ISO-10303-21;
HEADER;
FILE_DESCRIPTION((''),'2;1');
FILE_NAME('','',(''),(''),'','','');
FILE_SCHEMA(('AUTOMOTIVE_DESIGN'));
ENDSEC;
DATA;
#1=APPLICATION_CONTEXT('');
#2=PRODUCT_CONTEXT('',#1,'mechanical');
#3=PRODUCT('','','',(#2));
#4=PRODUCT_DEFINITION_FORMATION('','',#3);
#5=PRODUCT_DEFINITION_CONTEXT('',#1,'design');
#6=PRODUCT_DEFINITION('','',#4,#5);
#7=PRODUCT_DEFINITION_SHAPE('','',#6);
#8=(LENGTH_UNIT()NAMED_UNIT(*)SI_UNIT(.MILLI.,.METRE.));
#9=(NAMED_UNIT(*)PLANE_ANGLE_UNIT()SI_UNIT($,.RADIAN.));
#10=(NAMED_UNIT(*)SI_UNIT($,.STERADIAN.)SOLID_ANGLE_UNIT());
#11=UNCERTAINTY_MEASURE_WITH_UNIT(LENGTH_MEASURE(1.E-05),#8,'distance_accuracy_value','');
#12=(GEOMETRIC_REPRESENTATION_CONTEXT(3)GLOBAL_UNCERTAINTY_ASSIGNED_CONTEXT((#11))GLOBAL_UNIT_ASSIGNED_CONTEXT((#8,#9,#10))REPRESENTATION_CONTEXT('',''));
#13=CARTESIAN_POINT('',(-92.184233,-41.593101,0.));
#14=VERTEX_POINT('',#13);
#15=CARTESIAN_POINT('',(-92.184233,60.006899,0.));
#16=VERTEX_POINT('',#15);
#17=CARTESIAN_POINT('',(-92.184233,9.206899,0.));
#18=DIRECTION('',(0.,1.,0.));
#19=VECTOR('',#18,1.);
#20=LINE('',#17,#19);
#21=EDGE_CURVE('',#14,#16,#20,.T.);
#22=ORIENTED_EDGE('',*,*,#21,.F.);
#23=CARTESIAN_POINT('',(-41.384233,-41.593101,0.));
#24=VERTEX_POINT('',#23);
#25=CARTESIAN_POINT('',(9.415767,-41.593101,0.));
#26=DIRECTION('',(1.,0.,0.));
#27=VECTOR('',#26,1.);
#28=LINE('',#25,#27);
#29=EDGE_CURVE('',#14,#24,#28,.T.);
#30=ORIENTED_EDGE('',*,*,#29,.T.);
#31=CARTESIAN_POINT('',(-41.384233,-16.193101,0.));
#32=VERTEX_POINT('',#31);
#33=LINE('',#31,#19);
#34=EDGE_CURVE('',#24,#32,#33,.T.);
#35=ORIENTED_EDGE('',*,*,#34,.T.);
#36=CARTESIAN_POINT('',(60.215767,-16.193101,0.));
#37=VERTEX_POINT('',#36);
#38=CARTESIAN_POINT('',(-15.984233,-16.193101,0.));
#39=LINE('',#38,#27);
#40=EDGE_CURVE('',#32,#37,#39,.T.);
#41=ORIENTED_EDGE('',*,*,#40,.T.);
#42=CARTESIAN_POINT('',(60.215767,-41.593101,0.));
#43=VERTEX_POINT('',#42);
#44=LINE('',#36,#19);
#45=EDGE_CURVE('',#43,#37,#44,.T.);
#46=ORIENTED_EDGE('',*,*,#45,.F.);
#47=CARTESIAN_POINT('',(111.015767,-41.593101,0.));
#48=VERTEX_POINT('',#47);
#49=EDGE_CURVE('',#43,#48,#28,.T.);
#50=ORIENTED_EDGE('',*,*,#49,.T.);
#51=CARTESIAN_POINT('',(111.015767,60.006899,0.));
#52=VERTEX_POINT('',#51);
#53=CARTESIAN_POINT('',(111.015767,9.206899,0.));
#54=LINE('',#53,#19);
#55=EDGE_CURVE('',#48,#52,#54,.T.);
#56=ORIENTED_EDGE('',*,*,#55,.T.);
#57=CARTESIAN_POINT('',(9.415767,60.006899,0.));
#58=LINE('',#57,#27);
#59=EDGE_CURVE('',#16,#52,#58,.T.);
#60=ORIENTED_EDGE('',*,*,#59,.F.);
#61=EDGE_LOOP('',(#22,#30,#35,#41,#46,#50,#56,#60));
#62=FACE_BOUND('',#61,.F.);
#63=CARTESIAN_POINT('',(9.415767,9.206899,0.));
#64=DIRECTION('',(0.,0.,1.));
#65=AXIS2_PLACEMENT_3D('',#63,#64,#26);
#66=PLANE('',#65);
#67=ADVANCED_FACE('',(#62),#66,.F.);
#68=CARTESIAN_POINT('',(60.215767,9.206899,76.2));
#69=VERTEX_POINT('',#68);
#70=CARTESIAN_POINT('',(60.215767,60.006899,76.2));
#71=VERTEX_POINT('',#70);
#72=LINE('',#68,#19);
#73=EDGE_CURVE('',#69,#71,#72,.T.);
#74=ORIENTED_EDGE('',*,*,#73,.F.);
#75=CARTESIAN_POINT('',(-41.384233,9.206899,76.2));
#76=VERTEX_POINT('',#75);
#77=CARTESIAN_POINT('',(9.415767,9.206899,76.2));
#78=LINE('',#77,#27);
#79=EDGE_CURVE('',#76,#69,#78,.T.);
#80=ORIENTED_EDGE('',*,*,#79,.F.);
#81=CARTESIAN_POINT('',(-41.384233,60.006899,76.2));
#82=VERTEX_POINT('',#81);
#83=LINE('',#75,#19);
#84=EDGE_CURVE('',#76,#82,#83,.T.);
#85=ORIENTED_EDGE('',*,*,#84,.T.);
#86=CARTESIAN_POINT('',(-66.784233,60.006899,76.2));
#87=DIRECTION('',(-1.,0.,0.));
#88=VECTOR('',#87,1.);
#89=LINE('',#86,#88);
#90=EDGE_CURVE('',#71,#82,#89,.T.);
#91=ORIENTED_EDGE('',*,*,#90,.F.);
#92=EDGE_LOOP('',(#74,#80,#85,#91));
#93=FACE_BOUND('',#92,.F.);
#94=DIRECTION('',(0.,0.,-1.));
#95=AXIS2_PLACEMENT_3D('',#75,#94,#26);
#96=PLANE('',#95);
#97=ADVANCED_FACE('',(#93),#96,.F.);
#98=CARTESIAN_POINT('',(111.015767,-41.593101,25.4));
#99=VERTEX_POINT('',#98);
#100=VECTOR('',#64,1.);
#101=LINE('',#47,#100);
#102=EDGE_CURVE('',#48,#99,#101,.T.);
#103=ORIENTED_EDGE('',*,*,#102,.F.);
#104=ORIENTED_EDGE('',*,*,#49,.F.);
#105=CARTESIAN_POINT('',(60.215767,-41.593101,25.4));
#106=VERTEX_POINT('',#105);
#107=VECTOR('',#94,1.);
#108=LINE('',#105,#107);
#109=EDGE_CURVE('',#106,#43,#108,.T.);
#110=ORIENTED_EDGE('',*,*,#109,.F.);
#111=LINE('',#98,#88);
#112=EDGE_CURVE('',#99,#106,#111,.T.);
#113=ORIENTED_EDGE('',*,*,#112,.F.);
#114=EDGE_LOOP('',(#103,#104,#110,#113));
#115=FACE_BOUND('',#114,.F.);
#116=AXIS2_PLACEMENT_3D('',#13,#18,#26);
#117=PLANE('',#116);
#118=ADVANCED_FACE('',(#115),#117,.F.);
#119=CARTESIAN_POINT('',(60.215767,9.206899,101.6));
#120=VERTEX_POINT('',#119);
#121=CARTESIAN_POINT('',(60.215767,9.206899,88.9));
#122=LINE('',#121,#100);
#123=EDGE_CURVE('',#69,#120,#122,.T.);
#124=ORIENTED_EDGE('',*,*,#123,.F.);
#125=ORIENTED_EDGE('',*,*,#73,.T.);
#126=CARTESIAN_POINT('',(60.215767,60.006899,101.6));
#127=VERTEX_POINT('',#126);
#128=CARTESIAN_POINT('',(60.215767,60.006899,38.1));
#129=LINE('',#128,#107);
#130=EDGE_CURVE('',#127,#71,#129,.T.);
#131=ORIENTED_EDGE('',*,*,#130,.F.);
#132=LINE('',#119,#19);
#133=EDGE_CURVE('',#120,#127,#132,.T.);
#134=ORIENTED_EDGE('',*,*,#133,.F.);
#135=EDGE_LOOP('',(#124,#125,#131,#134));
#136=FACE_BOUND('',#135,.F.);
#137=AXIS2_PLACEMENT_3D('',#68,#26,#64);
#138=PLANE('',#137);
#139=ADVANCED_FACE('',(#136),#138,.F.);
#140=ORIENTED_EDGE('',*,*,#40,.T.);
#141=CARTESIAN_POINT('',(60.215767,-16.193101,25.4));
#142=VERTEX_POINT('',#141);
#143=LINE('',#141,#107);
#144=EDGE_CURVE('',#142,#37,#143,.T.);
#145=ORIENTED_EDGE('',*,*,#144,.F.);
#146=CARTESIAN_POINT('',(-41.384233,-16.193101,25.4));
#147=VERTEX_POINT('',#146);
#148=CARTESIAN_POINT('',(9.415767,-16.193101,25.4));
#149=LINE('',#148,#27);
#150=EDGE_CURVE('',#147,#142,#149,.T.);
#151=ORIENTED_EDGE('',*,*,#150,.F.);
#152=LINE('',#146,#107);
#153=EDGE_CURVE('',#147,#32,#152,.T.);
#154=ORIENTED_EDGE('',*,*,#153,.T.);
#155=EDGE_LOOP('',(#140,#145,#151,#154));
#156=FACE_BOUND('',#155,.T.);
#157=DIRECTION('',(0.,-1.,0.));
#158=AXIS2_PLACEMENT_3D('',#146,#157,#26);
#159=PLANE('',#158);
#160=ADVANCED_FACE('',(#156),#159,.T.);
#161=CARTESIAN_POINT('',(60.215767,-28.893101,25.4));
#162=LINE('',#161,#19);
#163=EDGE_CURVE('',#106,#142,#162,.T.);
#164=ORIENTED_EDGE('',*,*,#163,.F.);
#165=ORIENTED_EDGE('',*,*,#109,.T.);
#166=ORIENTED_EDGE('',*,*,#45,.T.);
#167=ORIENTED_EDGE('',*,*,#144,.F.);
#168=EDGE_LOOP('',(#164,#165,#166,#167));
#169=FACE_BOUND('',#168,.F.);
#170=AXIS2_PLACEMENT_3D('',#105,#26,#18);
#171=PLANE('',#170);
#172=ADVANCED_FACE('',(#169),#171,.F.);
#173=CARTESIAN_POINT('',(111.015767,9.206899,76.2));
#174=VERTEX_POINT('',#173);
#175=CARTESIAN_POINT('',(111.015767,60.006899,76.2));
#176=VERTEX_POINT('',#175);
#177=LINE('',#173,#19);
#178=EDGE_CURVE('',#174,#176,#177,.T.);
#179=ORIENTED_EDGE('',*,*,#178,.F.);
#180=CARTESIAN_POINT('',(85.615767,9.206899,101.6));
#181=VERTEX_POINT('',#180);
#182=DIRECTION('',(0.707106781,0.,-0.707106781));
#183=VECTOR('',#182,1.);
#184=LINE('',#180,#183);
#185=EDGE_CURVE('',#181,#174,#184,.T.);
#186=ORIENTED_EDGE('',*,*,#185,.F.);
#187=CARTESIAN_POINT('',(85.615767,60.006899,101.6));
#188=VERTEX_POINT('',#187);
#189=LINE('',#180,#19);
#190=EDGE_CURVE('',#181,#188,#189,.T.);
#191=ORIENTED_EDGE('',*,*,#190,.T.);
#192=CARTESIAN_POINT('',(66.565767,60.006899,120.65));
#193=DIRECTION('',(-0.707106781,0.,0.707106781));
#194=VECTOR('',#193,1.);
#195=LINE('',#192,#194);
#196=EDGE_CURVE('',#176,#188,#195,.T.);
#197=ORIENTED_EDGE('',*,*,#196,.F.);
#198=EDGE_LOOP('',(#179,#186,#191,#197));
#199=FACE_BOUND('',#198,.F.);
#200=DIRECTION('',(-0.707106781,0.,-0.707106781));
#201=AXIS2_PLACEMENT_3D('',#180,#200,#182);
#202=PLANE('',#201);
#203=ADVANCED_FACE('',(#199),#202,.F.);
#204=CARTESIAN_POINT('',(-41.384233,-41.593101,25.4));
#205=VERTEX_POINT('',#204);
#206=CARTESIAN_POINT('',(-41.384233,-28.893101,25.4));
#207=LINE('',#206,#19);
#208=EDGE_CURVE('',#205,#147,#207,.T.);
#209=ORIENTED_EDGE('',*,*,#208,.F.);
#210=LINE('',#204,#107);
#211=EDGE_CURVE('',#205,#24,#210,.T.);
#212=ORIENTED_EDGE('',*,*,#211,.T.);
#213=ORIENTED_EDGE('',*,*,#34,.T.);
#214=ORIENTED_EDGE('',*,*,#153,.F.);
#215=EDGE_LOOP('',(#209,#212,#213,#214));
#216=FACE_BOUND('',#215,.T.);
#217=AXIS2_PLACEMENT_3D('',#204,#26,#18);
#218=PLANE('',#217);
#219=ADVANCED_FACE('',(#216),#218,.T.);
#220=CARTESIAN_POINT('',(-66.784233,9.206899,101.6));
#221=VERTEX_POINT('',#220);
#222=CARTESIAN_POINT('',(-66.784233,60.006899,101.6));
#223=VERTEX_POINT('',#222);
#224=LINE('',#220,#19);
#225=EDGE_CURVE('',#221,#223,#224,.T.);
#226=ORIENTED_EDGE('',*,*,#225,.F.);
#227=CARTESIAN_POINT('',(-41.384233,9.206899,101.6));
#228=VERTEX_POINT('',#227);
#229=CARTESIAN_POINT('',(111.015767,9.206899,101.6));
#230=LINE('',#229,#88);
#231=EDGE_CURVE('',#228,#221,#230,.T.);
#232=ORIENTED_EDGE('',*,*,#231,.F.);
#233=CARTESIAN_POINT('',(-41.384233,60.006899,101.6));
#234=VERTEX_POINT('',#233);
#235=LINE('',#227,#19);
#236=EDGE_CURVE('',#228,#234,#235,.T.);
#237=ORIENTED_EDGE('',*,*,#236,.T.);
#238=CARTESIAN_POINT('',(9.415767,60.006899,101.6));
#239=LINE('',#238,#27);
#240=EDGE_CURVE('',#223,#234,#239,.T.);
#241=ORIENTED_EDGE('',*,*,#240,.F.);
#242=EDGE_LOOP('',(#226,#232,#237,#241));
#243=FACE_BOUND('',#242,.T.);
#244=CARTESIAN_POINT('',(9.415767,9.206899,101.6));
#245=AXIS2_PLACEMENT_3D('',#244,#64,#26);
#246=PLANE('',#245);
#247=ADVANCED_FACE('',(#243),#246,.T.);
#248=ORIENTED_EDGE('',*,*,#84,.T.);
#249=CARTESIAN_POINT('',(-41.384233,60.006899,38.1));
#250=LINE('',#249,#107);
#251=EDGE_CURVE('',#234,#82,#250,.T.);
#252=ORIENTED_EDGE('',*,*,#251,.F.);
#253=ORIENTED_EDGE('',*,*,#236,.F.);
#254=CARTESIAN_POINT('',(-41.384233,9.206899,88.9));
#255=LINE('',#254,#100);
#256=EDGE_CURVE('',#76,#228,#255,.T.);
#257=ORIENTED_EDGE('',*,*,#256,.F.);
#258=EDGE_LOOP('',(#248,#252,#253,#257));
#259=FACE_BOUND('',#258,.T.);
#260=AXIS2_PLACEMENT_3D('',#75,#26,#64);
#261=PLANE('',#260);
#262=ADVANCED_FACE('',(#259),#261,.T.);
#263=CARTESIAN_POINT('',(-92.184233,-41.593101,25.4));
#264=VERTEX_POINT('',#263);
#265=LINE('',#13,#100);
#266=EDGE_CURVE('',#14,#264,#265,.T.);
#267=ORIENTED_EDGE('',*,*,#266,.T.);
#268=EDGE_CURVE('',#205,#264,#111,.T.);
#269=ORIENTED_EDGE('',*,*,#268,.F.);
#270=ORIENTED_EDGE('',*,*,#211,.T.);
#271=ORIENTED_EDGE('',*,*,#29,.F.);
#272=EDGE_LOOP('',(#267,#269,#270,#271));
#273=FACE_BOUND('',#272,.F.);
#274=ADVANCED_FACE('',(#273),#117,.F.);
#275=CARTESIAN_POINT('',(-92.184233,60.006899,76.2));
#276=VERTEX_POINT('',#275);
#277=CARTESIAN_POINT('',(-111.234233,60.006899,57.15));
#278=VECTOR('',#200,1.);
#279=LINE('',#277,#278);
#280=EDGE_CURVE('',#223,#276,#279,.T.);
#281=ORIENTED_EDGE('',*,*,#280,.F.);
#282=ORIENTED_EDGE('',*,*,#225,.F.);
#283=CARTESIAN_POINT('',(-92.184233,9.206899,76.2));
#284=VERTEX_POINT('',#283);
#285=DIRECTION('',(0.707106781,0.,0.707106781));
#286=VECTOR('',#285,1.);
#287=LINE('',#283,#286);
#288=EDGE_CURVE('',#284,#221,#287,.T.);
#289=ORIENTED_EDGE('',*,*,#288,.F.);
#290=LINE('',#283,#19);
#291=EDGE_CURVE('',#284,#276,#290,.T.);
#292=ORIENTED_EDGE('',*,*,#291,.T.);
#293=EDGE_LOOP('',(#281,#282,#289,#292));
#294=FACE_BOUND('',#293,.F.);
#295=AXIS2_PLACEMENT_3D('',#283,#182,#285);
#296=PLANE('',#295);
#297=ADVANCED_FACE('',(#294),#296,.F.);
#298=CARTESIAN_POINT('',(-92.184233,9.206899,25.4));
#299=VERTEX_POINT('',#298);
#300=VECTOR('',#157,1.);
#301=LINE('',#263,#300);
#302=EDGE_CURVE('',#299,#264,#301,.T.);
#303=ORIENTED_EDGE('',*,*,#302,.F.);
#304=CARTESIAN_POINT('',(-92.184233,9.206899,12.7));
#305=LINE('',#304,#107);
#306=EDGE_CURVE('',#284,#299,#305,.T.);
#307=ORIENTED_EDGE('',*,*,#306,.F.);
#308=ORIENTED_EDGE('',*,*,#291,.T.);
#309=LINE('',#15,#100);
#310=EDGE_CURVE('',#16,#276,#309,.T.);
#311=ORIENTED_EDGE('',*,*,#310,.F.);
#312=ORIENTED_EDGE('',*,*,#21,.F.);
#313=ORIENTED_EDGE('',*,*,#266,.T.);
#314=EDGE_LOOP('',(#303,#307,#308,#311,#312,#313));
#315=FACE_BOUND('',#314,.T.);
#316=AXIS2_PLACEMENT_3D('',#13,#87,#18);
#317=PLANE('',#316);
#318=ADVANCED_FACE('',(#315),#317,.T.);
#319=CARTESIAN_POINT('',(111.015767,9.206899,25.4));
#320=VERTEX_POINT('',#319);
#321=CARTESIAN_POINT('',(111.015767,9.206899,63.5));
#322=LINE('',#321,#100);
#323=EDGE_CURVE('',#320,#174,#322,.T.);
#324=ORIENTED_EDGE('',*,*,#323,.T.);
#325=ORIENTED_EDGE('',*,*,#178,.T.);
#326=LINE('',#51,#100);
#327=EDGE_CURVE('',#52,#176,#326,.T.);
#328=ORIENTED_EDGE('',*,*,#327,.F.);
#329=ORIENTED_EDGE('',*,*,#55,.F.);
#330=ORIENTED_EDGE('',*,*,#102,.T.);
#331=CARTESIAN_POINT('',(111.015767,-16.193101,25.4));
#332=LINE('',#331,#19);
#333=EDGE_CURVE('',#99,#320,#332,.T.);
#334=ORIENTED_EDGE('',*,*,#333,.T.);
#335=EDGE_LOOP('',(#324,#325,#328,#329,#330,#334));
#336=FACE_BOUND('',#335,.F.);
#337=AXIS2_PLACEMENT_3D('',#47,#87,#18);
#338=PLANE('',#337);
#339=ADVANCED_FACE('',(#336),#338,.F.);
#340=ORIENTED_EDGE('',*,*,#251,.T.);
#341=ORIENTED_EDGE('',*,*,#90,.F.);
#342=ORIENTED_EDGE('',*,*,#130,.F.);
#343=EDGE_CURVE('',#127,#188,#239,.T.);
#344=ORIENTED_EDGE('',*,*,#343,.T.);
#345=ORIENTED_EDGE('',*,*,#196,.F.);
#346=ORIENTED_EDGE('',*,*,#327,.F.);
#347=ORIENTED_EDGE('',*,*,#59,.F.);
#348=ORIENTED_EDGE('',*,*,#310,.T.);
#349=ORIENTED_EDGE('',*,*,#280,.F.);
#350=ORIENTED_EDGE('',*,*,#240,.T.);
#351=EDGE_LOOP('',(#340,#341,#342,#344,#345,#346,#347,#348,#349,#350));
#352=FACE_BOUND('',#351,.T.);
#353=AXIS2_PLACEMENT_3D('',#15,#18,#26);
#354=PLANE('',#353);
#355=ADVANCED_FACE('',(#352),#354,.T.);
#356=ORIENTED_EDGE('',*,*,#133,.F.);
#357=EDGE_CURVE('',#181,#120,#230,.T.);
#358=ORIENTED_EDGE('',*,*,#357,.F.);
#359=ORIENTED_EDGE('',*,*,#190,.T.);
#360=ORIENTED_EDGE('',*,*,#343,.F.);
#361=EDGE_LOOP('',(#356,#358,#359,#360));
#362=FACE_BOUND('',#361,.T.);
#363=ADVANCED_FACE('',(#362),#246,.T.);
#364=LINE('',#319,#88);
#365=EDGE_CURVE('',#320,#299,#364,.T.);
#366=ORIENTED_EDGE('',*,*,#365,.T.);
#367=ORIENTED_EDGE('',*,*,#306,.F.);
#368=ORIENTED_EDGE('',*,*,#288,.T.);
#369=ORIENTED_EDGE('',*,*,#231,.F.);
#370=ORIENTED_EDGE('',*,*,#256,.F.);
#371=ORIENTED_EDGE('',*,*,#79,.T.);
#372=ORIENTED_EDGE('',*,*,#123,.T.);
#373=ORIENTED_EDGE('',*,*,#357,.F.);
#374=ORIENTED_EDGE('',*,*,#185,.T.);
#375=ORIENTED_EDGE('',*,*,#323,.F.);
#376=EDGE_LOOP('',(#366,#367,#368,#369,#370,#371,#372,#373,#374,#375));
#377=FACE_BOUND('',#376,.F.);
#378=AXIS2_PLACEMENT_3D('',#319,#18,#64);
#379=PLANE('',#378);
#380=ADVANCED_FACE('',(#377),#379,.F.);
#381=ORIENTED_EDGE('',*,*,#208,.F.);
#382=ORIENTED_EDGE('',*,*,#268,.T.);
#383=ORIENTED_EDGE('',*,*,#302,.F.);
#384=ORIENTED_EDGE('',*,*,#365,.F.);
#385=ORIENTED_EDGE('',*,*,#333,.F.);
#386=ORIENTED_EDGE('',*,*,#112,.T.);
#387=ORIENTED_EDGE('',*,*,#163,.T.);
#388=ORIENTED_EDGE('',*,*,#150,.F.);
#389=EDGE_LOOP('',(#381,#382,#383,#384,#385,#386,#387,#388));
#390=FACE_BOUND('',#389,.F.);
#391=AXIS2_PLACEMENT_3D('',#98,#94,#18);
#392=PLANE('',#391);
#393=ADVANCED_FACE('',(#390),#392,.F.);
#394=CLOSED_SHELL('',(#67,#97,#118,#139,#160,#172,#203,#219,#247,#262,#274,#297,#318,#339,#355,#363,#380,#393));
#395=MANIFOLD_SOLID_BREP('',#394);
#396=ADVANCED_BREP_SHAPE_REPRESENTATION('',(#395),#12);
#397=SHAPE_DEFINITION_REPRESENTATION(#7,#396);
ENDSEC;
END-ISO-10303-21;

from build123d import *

# Parameters (mm, degrees)
F0_W     = 203.2
F0_H     = 101.6
F1_DEPTH = 101.6
F2_W     = 50.8
F2_H     = 76.2
F3_DEPTH = 203.201
F4_W     = 101.6
F4_H     = 25.4
F5_DEPTH = 25.401
F6_W     = 101.6
F6_H     = 25.4
F7_DEPTH = 50.801
F9_DEPTH = 50.801


with BuildPart() as f1:
    # F0 (on Top) → F1 (new body)
    with BuildSketch(Plane.XY):
        with Locations((9.415767, 9.206899)):
            Rectangle(F0_W, F0_H)
    extrude(amount=F1_DEPTH)

    # F2 (on face) → F3 (cut, through all)
    with BuildSketch(Plane.YZ.offset(111.015767)):
        with Locations((-16.193101, 63.5)):
            Rectangle(F2_W, F2_H)
    extrude(amount=-F3_DEPTH, mode=Mode.SUBTRACT)

    # F4 (on face) → F5 (cut, through all)
    with BuildSketch(Plane.XY.offset(25.4)):
        with Locations((9.415767, -28.893101)):
            Rectangle(F4_W, F4_H)
    extrude(amount=-F5_DEPTH, mode=Mode.SUBTRACT)

    # F6 (on face) → F7 (cut, through all)
    with BuildSketch(Plane.XZ.offset(-9.206899)):
        with Locations((9.415767, 88.9)):
            Rectangle(F6_W, F6_H)
    extrude(amount=-F7_DEPTH, mode=Mode.SUBTRACT)

    # F8 (on face) → F9 (cut, through all)
    with BuildSketch(Plane.XZ.offset(-9.206899)):
        Polygon((-92.184233, 101.6), (-92.184233, 76.2), (-66.784233, 101.6), align=None)
        Polygon((111.015767, 101.6), (85.615767, 101.6), (111.015767, 76.2), align=None)
    extrude(amount=-F9_DEPTH, mode=Mode.SUBTRACT)


solid = f1.part
